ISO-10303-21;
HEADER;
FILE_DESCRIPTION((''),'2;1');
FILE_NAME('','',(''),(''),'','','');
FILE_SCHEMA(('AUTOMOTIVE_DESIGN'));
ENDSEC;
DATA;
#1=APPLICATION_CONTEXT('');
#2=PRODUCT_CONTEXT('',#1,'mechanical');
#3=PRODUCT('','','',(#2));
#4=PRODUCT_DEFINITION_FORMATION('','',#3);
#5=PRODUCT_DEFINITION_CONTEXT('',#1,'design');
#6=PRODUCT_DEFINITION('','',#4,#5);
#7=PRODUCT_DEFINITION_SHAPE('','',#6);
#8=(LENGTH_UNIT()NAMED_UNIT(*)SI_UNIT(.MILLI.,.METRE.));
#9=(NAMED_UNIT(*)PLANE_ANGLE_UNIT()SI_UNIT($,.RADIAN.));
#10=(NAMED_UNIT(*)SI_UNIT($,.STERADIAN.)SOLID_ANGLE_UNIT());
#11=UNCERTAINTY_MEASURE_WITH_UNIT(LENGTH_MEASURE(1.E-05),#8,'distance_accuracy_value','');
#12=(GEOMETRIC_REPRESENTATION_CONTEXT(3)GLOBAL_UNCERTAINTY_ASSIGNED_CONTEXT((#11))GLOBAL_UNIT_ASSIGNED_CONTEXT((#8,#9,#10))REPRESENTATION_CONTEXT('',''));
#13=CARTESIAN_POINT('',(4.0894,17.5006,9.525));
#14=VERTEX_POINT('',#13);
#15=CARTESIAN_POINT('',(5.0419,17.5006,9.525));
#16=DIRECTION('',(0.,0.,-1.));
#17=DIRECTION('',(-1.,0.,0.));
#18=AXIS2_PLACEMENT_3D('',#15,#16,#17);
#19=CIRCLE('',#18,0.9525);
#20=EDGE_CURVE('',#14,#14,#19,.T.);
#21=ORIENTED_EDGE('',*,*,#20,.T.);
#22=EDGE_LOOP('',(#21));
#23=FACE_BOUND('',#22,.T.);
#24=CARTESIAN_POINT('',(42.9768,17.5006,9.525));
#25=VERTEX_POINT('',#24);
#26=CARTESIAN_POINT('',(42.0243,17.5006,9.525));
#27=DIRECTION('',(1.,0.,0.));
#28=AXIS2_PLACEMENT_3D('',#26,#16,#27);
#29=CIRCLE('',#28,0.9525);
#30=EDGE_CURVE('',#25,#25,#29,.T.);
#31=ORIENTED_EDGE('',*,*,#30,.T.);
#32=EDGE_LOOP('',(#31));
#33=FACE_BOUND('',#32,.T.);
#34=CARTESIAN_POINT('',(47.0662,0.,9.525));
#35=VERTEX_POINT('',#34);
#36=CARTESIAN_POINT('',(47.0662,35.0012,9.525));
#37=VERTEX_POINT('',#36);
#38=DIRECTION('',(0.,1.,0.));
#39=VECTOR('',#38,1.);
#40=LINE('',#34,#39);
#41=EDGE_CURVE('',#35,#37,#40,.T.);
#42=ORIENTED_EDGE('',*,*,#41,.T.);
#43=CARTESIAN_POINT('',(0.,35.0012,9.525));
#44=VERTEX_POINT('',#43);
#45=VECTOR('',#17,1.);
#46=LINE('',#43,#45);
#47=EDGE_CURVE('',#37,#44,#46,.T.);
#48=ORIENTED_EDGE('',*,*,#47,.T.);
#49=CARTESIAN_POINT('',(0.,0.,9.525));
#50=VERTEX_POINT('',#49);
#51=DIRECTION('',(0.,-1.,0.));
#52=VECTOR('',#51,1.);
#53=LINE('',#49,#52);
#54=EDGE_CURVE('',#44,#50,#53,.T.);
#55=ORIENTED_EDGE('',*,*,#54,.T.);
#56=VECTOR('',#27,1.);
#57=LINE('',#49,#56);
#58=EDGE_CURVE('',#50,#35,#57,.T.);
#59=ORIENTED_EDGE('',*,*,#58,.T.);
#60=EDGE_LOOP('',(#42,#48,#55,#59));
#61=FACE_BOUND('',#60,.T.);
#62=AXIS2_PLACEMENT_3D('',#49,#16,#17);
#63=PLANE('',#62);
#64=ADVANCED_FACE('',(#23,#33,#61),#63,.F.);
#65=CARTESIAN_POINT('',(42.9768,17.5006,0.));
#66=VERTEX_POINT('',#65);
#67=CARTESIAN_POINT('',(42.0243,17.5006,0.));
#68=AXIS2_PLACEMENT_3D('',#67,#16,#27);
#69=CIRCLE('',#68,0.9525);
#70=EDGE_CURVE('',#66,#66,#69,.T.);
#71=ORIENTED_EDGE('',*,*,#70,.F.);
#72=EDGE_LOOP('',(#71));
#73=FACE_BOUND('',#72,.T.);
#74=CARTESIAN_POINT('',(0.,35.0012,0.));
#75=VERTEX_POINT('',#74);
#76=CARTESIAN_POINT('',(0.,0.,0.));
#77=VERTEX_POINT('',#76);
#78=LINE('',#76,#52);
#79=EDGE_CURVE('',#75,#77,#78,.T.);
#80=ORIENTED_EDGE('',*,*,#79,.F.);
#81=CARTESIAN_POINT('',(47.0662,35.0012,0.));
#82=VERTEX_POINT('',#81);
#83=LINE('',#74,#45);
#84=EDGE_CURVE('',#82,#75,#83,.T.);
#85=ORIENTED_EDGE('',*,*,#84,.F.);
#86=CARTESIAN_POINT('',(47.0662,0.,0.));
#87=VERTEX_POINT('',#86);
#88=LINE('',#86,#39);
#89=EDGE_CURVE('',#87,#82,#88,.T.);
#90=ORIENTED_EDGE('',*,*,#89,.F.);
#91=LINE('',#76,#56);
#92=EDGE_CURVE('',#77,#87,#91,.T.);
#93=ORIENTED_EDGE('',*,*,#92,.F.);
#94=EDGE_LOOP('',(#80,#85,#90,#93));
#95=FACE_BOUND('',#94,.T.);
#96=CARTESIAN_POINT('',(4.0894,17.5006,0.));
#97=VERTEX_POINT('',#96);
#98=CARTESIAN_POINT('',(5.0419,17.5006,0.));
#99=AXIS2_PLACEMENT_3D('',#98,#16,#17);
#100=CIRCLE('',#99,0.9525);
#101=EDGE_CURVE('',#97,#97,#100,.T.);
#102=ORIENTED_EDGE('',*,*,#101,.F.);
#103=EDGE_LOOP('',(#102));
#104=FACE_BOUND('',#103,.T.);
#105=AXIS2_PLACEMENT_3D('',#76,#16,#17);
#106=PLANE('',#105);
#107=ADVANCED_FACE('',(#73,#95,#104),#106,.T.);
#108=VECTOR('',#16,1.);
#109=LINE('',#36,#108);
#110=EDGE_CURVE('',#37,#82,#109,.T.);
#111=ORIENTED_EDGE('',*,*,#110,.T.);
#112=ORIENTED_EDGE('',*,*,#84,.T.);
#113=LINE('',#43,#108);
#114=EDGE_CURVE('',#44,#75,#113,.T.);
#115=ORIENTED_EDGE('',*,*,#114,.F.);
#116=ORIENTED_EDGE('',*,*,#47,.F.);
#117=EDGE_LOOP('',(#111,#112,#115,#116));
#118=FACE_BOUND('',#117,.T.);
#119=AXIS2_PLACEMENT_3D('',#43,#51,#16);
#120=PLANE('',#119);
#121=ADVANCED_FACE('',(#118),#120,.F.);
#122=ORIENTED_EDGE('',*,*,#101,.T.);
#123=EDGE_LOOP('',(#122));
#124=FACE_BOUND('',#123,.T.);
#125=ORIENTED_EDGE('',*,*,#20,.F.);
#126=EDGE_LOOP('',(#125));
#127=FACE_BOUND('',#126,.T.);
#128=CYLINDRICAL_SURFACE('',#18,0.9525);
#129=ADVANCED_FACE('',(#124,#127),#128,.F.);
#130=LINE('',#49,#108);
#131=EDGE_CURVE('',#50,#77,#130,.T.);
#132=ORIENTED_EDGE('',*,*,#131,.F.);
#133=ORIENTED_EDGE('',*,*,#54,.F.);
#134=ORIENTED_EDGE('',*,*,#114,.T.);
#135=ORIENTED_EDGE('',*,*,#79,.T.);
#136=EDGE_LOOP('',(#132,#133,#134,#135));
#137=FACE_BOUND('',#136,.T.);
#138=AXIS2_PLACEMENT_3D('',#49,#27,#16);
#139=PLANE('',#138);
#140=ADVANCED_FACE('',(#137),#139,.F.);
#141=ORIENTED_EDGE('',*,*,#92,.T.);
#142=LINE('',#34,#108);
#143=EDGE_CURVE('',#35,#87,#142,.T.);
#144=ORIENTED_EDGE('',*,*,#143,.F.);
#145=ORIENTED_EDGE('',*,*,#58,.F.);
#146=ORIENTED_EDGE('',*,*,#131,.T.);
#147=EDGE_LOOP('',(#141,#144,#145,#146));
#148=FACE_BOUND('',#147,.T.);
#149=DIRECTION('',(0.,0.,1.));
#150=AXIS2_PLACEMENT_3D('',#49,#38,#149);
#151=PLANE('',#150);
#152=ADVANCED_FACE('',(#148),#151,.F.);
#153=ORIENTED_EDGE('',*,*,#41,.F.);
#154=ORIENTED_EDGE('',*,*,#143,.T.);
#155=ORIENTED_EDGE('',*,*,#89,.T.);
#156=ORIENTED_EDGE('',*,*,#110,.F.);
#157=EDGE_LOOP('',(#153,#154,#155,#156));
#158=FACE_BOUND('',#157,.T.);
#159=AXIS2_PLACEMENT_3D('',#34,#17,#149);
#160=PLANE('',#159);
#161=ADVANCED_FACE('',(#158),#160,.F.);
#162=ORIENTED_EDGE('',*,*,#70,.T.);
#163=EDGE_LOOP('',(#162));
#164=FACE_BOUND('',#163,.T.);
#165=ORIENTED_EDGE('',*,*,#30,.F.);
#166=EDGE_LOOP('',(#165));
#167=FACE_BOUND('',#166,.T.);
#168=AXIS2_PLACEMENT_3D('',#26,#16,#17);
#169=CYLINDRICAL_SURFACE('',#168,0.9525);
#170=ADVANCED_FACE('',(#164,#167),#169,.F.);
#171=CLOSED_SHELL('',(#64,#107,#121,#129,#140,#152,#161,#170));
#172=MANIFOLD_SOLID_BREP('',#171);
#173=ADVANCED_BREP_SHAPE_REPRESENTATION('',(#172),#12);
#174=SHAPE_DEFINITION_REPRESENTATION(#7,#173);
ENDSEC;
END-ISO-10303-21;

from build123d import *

# Parameters (mm, degrees)
SKETCH1_W           = 47.0662
SKETCH1_H           = 35.0012
BOSS_EXTRUDE1_DEPTH = 9.525
SKETCH2_R           = 0.9525
CUT_EXTRUDE1_DEPTH  = 10.525


with BuildPart() as part:
    # Sketch1 → Boss-Extrude1 (new body)
    with BuildSketch(Plane.XY):
        with Locations((23.5331, 17.5006)):
            Rectangle(SKETCH1_W, SKETCH1_H)
    extrude(amount=BOSS_EXTRUDE1_DEPTH)

    # Sketch2 → Cut-Extrude1 (cut, through all)
    with BuildSketch(Plane(origin=(0, 0, 0), x_dir=(-1, 0, 0), z_dir=(0, 0, -1))):
        with Locations((-5.0419, 17.5006)):
            Circle(SKETCH2_R)
        with Locations((-42.0243, 17.5006)):
            Circle(SKETCH2_R)
    extrude(amount=-CUT_EXTRUDE1_DEPTH, mode=Mode.SUBTRACT)


solid = part.part
